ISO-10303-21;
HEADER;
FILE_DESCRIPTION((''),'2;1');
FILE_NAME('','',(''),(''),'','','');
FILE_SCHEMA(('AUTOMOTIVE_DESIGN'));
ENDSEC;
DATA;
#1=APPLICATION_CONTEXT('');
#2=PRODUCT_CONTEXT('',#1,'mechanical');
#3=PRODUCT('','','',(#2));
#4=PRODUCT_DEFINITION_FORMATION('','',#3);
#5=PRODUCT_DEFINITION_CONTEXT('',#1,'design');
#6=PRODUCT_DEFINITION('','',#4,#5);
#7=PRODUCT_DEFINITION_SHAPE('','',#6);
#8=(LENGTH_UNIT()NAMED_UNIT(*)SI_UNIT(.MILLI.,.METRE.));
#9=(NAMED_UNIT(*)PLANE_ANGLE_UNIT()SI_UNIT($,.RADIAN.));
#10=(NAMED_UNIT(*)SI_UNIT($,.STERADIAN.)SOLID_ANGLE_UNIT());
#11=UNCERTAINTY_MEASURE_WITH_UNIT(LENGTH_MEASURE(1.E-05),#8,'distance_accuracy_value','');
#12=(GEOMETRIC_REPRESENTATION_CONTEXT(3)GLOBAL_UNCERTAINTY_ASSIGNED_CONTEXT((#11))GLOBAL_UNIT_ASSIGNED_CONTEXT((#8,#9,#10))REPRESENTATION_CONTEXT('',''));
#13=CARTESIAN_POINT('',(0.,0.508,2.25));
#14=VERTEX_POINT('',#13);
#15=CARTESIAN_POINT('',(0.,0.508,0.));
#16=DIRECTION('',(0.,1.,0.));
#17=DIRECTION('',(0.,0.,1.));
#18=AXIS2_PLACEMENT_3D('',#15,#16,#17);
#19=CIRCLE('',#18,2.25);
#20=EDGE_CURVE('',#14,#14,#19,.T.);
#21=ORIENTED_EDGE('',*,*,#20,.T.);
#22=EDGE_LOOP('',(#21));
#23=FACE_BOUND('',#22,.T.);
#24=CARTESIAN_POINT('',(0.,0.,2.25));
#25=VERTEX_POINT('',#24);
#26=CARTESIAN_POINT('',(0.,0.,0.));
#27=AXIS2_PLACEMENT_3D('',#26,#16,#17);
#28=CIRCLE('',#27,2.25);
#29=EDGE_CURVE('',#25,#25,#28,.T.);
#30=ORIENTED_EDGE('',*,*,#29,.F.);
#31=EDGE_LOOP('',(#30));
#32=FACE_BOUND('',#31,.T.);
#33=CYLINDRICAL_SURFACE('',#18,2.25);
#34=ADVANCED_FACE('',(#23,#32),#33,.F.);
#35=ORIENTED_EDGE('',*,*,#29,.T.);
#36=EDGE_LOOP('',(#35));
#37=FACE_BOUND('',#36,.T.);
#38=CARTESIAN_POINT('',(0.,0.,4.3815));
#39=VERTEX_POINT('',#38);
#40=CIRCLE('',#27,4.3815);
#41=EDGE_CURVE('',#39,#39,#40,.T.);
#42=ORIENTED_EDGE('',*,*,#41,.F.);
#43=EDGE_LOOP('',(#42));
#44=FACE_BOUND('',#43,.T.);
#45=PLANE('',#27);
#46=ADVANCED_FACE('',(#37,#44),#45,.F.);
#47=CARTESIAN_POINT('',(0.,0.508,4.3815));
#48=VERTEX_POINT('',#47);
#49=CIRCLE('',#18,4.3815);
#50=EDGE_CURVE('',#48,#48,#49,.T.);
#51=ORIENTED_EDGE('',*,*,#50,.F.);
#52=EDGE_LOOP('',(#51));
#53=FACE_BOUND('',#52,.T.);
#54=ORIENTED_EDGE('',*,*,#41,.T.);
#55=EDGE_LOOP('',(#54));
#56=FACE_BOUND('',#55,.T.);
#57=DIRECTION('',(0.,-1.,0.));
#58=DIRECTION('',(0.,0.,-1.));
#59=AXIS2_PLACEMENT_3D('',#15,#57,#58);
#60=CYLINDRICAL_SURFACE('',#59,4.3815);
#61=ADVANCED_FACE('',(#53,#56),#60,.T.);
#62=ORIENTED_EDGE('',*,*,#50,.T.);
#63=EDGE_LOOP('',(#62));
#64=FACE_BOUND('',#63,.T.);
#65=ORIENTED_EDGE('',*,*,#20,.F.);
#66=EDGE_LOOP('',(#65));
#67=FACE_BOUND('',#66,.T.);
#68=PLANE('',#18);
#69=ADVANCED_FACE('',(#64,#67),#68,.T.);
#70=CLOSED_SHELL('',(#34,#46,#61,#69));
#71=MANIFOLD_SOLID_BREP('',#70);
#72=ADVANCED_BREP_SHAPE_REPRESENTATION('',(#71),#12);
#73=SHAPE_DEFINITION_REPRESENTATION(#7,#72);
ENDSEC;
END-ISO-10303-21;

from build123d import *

# Parameters (mm, degrees)
SKETCH1_R            = 4.3815
BOSS_EXTRUDE1_DEPTH  = 0.508
M4_CLEARANCE_HOLE1_D = 4.5


with BuildPart() as part:
    # Sketch1 → Boss-Extrude1 (new body)
    with BuildSketch(Plane(origin=(0, 0, 0), x_dir=(1, 0, 0), z_dir=(0, 1, 0))):
        with Locations(Location((0, 0, 0), (0, 0, 270))):
            Circle(SKETCH1_R)
    extrude(amount=BOSS_EXTRUDE1_DEPTH)

    # M4 Clearance Hole1 (through all)
    with Locations(Plane(origin=(0, 0.508, 0), x_dir=(1, 0, 0), z_dir=(0, 1, 0))):
        with Locations((0, 0)):
            Hole(M4_CLEARANCE_HOLE1_D / 2)


solid = part.part
